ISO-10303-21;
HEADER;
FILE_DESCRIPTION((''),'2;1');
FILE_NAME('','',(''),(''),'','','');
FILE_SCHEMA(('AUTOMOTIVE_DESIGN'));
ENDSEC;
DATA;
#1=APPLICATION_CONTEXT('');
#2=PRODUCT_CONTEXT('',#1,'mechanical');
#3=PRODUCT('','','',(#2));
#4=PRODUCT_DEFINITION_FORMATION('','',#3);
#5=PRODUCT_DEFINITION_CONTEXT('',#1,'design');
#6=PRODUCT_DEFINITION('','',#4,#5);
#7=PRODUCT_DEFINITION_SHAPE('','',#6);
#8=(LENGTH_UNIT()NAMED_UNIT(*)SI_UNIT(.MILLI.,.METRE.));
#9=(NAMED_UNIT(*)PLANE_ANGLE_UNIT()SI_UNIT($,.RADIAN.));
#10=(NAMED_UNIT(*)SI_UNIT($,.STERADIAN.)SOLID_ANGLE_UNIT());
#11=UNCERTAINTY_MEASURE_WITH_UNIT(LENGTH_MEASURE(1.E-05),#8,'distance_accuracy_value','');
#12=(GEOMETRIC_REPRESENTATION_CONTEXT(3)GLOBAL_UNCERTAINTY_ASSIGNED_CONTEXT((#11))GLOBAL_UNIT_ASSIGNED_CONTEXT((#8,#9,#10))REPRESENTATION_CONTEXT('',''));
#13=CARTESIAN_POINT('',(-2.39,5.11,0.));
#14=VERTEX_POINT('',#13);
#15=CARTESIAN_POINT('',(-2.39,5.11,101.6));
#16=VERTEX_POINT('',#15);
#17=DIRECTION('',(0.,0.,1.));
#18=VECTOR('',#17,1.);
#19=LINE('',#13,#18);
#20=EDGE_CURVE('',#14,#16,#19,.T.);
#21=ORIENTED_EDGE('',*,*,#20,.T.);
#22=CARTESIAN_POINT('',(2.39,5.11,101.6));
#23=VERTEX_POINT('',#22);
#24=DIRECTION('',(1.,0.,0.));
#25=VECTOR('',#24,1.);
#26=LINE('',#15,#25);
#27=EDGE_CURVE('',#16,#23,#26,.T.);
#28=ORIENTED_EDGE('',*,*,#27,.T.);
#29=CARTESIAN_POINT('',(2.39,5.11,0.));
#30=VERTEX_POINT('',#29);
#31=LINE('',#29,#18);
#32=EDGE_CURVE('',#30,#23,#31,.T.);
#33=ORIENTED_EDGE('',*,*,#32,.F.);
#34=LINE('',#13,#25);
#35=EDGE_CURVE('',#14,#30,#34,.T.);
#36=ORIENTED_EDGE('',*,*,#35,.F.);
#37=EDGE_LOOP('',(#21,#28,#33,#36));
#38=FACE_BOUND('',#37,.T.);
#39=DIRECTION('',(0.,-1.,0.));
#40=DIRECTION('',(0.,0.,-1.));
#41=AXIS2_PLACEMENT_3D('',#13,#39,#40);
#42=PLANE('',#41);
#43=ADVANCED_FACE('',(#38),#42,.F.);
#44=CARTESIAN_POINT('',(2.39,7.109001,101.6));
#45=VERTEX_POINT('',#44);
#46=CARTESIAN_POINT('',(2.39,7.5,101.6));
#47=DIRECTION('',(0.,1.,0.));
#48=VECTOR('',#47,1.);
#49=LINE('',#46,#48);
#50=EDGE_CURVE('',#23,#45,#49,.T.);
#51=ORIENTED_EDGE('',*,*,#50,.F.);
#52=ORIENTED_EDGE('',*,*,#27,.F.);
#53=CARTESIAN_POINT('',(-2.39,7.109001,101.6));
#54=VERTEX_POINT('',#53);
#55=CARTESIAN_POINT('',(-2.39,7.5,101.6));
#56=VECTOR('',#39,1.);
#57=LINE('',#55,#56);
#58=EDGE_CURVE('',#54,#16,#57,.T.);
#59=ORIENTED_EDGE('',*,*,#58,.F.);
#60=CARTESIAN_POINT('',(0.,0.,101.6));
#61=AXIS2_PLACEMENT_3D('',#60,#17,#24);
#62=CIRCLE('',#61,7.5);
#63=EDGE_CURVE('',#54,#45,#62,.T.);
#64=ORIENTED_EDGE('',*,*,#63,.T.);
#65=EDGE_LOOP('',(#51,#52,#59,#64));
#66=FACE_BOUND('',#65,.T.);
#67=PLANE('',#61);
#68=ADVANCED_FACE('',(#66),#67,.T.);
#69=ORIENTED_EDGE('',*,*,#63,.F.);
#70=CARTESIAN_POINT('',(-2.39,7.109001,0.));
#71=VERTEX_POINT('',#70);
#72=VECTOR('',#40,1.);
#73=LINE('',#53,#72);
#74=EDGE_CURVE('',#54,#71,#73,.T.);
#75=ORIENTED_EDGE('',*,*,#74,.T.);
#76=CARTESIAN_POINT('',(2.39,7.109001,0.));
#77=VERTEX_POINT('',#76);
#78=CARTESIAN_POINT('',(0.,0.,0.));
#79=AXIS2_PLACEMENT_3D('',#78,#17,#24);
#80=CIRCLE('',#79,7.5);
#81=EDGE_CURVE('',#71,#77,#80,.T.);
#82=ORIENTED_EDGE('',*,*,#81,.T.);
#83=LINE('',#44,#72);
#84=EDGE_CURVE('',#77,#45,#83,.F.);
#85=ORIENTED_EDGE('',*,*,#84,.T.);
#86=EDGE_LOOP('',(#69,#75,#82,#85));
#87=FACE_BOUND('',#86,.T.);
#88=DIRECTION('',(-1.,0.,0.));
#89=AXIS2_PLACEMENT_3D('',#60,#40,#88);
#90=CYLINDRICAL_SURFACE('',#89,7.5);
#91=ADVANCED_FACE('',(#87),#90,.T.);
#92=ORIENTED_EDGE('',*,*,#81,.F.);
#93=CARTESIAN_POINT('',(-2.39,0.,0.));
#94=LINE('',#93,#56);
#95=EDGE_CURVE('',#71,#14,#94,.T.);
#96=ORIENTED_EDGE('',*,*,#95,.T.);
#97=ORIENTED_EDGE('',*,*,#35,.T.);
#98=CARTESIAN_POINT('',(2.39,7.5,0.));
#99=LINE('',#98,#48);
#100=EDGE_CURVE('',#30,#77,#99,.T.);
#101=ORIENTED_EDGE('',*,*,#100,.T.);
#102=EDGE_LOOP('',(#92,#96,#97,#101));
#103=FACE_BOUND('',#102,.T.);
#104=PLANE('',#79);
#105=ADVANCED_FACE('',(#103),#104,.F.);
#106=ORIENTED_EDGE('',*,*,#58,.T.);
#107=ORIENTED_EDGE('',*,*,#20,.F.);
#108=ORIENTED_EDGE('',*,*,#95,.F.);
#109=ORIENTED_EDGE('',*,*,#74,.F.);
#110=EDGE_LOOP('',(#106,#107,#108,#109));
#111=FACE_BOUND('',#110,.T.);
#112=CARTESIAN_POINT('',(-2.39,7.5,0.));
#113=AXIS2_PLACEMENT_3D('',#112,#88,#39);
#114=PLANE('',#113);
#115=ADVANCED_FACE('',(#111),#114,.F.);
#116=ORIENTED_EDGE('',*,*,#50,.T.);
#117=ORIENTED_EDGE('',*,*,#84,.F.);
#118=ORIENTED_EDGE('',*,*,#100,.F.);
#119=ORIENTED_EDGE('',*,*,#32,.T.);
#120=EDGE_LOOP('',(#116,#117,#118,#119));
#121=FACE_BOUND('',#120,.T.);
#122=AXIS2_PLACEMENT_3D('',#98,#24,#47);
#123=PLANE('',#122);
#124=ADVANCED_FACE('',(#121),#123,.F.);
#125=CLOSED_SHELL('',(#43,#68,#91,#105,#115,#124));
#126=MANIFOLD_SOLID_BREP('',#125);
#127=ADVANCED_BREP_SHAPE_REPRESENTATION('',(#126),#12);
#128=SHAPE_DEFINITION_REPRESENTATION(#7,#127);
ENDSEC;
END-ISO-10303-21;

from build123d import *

# Parameters (mm, degrees)
SKETCH1_R           = 7.5
BOSS_EXTRUDE1_DEPTH = 101.6
SKETCH2_W           = 4.78
SKETCH2_H           = 2.39
CUT_EXTRUDE1_DEPTH  = 102.6


with BuildPart() as part:
    # Sketch1 → Boss-Extrude1 (new body)
    with BuildSketch(Plane.XY):
        Circle(SKETCH1_R)
    extrude(amount=BOSS_EXTRUDE1_DEPTH)

    # Sketch2 → Cut-Extrude1 (cut, through all)
    with BuildSketch(Plane.XY.offset(101.6)):
        with Locations((0, 6.305)):
            Rectangle(SKETCH2_W, SKETCH2_H)
    extrude(amount=-CUT_EXTRUDE1_DEPTH, mode=Mode.SUBTRACT)


solid = part.part
